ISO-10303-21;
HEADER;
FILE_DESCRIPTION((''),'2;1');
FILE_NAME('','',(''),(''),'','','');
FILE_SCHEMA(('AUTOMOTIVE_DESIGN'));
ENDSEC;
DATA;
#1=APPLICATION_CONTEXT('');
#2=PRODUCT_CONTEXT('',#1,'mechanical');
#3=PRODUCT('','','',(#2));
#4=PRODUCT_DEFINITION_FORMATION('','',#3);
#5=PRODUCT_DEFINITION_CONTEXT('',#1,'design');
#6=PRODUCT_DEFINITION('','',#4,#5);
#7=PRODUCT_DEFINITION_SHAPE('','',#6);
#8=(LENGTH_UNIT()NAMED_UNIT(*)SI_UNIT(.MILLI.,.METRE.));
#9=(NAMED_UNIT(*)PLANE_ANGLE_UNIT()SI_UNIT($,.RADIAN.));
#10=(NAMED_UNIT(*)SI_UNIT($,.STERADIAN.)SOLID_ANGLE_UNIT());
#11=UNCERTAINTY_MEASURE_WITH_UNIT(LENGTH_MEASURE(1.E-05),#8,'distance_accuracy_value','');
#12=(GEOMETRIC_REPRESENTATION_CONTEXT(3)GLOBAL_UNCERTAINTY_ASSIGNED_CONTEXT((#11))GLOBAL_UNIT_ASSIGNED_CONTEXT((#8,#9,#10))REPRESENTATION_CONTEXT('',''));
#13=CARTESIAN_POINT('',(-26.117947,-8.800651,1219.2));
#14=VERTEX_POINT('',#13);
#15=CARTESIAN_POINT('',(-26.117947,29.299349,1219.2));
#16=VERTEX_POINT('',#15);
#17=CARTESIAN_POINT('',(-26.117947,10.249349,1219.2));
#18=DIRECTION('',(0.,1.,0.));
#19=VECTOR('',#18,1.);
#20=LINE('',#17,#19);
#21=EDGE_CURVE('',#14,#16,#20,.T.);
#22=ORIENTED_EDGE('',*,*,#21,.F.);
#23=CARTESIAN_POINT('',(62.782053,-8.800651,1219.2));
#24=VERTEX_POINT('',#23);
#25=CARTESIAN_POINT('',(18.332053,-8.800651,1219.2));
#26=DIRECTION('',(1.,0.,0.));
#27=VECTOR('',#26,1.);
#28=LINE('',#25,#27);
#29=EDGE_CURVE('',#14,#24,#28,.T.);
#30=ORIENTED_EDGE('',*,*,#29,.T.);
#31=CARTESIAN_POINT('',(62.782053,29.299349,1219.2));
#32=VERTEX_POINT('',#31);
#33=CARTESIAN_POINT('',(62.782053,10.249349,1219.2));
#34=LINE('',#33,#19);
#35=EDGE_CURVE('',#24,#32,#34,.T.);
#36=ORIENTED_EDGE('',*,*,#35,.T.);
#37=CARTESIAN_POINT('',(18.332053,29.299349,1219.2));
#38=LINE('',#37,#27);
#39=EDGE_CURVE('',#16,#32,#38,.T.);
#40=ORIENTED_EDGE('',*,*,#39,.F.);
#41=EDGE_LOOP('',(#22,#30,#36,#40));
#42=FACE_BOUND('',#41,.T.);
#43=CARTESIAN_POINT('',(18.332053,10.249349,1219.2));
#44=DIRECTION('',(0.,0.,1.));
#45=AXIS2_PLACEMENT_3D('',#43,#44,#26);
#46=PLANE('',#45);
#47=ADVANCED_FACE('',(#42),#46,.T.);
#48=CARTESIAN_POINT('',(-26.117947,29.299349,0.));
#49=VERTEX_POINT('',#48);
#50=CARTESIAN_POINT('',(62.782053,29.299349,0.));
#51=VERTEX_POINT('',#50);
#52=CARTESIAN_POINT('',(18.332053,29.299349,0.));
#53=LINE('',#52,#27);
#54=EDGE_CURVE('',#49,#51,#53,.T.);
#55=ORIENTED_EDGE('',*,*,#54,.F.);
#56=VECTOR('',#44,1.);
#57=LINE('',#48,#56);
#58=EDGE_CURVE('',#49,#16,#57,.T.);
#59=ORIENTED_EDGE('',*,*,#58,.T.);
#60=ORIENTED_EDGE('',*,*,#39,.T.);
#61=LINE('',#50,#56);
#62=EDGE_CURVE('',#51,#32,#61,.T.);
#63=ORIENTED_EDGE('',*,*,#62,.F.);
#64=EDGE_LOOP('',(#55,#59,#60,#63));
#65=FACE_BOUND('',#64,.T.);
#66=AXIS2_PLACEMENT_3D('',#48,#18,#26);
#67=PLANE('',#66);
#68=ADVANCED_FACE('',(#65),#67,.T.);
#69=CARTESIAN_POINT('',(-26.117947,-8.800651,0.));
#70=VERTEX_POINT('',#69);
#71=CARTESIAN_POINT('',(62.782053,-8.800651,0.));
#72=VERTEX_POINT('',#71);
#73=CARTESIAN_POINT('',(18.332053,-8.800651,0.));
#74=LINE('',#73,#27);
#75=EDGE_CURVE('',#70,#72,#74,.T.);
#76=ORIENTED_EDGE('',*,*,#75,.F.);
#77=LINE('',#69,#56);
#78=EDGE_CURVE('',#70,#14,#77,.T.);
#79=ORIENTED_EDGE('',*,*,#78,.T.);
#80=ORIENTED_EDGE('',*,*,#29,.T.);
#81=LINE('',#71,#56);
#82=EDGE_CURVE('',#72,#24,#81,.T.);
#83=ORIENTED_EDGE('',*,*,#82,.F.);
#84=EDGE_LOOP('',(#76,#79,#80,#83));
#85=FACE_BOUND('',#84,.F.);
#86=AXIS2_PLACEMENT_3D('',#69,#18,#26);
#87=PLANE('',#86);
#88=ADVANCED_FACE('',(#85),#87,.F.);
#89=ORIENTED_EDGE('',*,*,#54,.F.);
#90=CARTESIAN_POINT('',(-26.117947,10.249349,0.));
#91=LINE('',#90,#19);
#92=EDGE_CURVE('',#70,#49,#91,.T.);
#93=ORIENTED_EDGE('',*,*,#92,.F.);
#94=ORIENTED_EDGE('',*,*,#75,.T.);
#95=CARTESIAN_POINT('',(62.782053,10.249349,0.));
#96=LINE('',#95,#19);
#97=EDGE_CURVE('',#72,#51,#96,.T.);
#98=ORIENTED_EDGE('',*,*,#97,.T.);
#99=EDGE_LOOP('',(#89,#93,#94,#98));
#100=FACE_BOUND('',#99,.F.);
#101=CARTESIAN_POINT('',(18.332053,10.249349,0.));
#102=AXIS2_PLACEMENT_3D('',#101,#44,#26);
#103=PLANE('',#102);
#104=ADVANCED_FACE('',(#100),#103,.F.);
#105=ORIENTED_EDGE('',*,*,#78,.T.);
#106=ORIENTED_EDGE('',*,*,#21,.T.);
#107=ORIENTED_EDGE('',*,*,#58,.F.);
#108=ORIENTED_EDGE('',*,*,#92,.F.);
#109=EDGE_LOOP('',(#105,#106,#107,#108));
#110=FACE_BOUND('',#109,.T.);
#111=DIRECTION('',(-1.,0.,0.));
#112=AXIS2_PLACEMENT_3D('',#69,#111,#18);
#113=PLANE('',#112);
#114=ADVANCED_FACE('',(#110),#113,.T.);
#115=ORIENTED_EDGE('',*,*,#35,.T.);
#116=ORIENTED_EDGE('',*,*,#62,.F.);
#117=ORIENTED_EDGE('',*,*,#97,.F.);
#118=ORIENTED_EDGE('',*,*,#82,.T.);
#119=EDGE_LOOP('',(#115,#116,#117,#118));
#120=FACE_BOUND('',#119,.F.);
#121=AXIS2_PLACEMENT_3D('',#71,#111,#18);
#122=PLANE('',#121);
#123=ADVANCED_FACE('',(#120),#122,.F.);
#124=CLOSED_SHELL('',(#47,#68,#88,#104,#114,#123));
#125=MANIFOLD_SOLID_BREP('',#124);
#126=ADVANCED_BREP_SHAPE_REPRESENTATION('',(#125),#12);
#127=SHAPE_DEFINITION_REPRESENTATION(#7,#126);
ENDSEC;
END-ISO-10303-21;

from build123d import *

# Parameters (mm, degrees)
SKETCH1_W           = 88.9
SKETCH1_H           = 38.1
BOSS_EXTRUDE1_DEPTH = 1219.2


with BuildPart() as part:
    # Sketch1 → Boss-Extrude1 (new body)
    with BuildSketch(Plane.XY):
        with Locations((18.332052689, 10.249349204)):
            Rectangle(SKETCH1_W, SKETCH1_H)
    extrude(amount=BOSS_EXTRUDE1_DEPTH)


solid = part.part
